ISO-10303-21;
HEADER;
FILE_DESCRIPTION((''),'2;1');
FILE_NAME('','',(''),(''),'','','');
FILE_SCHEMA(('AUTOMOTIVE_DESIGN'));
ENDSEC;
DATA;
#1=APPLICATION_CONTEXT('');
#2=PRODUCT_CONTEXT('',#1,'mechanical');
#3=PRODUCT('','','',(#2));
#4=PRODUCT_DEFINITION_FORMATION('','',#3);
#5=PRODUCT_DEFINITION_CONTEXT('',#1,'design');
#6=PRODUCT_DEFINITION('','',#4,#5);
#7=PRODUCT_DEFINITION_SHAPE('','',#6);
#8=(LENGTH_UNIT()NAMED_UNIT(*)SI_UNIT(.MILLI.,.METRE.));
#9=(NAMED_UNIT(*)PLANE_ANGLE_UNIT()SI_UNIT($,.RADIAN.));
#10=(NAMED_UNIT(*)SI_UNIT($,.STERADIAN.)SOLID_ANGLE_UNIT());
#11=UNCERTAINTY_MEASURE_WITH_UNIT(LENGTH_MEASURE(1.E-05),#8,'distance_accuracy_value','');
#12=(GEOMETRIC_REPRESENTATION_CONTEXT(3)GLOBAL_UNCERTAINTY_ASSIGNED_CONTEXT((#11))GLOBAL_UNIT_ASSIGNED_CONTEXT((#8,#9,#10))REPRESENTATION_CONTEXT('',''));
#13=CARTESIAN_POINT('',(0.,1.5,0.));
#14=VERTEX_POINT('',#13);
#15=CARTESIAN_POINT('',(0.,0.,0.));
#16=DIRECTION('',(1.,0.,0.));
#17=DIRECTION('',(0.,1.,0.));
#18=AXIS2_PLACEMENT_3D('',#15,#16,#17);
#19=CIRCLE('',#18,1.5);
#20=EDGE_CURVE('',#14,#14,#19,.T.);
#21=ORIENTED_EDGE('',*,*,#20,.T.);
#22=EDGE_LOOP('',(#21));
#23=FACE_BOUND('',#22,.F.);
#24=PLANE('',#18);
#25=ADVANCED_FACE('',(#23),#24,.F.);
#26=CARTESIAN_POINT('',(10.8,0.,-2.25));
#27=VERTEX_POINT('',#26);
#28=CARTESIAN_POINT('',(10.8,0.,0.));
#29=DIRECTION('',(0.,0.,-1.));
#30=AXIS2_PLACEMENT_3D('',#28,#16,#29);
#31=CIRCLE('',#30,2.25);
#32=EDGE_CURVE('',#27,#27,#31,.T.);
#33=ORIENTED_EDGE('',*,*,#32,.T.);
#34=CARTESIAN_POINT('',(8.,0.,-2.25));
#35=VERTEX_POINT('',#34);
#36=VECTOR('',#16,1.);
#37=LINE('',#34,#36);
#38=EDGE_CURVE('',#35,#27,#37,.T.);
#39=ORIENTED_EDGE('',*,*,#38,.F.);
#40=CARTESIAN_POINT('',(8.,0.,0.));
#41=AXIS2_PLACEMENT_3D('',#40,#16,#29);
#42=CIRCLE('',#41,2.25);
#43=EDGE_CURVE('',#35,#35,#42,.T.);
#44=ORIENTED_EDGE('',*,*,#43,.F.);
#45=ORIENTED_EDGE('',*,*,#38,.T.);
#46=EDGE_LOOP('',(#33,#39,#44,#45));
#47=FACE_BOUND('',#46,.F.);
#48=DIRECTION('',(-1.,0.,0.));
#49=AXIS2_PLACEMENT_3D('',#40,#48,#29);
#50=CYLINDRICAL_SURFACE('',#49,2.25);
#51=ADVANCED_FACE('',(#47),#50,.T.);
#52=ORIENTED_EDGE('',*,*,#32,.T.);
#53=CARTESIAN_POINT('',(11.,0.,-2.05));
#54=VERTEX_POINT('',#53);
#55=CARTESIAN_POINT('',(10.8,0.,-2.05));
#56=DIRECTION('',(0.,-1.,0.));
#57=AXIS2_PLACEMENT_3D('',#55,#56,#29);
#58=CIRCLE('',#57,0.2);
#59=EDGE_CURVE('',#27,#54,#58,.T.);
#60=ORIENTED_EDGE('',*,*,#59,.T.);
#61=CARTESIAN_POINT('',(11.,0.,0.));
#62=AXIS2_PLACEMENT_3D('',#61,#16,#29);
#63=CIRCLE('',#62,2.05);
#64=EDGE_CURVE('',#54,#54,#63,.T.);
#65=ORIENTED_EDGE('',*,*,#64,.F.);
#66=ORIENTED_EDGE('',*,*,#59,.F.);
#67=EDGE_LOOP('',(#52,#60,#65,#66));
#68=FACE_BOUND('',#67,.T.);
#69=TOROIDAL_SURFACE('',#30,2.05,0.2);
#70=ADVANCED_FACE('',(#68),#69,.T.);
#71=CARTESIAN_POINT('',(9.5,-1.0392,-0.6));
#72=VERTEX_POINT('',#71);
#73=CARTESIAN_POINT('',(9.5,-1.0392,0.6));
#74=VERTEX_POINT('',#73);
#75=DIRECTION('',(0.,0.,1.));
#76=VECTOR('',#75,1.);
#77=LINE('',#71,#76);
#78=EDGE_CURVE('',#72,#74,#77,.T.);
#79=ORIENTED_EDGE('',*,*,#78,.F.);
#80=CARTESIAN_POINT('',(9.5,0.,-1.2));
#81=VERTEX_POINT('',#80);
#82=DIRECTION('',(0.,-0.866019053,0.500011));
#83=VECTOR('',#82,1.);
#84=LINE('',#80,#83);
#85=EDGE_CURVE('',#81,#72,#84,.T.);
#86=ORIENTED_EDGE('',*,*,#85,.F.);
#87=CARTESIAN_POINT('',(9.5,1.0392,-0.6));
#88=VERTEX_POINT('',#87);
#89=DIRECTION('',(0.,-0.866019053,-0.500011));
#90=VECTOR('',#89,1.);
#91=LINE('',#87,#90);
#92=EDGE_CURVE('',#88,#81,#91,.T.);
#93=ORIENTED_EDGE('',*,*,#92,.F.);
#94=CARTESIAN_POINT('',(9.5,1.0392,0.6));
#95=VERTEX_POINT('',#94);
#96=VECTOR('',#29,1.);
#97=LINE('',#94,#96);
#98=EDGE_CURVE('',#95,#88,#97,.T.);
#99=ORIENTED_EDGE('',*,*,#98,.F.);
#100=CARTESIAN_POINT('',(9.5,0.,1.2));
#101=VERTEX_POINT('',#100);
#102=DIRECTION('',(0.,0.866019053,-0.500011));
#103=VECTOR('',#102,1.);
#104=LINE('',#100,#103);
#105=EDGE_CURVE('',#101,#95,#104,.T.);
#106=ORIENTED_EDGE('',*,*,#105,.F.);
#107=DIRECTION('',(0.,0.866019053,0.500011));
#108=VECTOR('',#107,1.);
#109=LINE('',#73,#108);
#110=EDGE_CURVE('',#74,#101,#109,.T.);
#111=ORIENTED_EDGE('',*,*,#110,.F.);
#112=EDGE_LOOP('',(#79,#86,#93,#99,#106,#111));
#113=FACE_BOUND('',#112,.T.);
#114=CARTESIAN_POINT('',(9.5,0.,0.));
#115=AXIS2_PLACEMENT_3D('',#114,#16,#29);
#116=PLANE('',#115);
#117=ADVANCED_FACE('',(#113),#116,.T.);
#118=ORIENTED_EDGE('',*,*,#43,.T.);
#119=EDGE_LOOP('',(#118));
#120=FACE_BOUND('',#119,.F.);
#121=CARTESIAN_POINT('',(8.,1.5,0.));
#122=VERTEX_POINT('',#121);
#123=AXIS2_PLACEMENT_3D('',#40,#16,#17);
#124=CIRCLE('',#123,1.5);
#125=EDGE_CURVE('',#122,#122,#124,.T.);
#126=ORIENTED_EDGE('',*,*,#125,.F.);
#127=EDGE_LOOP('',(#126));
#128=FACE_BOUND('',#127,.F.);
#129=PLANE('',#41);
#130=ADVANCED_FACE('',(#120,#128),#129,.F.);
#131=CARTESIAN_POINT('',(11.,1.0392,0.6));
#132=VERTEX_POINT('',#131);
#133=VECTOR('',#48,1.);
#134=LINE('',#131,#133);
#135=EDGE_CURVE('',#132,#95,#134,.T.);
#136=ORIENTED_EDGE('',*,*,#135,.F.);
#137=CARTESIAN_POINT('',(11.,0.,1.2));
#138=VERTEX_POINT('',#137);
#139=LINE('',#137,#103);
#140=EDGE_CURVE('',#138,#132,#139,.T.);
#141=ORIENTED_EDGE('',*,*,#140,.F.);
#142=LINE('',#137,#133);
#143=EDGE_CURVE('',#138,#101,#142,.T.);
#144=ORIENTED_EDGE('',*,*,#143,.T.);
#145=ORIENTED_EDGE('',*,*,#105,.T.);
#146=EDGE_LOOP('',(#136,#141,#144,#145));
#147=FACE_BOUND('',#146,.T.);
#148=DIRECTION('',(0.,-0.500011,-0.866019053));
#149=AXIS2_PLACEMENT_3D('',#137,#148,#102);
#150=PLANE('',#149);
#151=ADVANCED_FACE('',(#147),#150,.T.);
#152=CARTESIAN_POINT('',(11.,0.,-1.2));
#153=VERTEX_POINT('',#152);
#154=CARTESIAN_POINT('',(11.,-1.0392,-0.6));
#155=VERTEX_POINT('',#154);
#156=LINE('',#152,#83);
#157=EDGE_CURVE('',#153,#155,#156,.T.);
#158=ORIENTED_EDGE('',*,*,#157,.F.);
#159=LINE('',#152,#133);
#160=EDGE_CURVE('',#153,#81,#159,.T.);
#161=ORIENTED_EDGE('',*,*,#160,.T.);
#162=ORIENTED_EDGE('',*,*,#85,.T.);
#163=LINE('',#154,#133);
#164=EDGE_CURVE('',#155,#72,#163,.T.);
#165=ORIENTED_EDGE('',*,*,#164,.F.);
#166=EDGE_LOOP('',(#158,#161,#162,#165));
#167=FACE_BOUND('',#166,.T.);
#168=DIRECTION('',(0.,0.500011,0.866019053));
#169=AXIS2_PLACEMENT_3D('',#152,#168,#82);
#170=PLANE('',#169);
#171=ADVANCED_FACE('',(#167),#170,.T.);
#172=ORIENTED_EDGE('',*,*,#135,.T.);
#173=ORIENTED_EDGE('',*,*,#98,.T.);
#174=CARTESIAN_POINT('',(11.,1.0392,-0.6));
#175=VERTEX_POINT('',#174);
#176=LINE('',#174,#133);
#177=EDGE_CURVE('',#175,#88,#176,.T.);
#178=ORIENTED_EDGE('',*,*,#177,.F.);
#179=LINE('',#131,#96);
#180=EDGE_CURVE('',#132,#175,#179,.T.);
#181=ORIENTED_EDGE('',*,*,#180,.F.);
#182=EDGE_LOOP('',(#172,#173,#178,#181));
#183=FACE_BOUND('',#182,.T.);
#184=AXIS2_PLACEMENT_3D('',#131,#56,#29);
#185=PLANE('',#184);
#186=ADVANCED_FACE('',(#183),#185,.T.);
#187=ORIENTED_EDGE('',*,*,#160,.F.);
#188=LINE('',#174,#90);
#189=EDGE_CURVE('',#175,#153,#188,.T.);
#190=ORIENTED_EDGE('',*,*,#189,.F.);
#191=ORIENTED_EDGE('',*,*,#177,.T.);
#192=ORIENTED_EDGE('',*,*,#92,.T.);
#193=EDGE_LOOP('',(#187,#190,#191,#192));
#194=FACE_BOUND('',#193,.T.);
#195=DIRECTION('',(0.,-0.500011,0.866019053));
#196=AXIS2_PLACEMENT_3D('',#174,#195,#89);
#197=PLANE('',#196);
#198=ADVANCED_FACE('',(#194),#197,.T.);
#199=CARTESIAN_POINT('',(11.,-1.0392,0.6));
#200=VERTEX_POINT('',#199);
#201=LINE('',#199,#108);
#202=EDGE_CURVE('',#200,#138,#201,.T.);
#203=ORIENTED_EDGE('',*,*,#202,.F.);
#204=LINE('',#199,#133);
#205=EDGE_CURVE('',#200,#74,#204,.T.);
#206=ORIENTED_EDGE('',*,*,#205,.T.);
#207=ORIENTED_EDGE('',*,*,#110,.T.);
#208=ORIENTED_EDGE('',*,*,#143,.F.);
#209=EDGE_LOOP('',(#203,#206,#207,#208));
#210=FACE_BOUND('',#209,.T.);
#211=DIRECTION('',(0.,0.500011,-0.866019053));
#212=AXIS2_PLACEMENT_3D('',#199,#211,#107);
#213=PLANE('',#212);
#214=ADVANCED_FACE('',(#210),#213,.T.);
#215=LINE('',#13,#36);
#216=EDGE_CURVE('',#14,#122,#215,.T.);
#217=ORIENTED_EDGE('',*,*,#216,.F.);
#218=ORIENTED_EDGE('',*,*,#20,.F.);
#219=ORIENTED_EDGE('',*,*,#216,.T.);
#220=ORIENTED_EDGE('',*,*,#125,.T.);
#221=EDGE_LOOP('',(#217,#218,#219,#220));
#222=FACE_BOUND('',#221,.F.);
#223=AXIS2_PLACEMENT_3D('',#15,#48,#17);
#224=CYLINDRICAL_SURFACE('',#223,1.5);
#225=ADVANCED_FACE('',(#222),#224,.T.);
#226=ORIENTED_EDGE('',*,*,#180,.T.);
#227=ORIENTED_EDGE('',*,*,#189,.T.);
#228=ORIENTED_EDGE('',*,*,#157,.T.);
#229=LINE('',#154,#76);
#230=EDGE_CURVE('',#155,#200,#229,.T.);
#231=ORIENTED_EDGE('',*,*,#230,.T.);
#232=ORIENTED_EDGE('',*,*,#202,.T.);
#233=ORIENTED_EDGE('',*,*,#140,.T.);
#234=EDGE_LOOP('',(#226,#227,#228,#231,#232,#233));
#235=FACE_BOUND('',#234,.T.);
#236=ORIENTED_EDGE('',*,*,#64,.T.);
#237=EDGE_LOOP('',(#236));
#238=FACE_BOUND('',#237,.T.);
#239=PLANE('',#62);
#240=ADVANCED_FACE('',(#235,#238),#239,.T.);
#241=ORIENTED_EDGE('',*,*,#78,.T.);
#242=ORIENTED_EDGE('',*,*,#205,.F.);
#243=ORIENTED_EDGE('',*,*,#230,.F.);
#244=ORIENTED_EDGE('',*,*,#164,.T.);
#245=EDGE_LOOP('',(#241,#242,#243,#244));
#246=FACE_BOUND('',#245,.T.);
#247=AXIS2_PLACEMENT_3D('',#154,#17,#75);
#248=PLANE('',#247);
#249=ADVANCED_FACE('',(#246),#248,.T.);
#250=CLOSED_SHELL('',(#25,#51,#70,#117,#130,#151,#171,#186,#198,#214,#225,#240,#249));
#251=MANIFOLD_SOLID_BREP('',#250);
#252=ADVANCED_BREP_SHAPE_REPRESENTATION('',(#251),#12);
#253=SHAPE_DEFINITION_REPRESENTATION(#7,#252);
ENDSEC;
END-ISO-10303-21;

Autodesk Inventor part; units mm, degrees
ref_plane "YZ Plane" through (0, 0, 0) normal (1, 0, 0) x (0, 1, 0)
ref_plane "XZ Plane" through (0, 0, 0) normal (0, 1, 0) x (-1, 0, 0)
sketch "Sketch1" plane through (0, 0, 0) normal (1, 0, 0) x (0, 1, 0)
  circle A0 centre (0, 0) radius 1.5
  dimension "d0" = 3
extrude "Extrusion1" add sketch "Sketch1" along normal blind 8
sketch "Sketch2" plane through (8, 0, 0) normal (1, 0, 0) x (0, 0, -1)
  circle A0 centre (0, 0) radius 2.25
  dimension "d3" = 4.5
extrude "Extrusion2" add sketch "Sketch2" along normal blind 3
ref_plane "Work Plane1" through (13.5, 0, 0) normal (1, 0, 0) x (0, 0, -1)
fillet "Fillet2" radius 0.2 1 edges at (11, 0, 2.25)
sketch "Sketch4" plane through (11, 0, 0) normal (1, 0, 0) x (0, 0, -1)
  line L0 (1.2, 0) -> (0.6, -1.0392)
  line L1 (0.6, -1.0392) -> (-0.6, -1.0392)
  line L2 (-0.6, -1.0392) -> (-1.2, 0)
  line L3 (-1.2, 0) -> (-0.6, 1.0392)
  line L4 (-0.6, 1.0392) -> (0.6, 1.0392)
  line L5 (0.6, 1.0392) -> (1.2, 0)
  point P0 (0, 0)
  point P1 (0, 0)
  dimension "d14" = 2.4
  dimension "d15" = 1.0392
extrude "Extrusion4" cut sketch "Sketch4" against normal blind 1.5
properties part number "M3" material "Iron, Cast"
